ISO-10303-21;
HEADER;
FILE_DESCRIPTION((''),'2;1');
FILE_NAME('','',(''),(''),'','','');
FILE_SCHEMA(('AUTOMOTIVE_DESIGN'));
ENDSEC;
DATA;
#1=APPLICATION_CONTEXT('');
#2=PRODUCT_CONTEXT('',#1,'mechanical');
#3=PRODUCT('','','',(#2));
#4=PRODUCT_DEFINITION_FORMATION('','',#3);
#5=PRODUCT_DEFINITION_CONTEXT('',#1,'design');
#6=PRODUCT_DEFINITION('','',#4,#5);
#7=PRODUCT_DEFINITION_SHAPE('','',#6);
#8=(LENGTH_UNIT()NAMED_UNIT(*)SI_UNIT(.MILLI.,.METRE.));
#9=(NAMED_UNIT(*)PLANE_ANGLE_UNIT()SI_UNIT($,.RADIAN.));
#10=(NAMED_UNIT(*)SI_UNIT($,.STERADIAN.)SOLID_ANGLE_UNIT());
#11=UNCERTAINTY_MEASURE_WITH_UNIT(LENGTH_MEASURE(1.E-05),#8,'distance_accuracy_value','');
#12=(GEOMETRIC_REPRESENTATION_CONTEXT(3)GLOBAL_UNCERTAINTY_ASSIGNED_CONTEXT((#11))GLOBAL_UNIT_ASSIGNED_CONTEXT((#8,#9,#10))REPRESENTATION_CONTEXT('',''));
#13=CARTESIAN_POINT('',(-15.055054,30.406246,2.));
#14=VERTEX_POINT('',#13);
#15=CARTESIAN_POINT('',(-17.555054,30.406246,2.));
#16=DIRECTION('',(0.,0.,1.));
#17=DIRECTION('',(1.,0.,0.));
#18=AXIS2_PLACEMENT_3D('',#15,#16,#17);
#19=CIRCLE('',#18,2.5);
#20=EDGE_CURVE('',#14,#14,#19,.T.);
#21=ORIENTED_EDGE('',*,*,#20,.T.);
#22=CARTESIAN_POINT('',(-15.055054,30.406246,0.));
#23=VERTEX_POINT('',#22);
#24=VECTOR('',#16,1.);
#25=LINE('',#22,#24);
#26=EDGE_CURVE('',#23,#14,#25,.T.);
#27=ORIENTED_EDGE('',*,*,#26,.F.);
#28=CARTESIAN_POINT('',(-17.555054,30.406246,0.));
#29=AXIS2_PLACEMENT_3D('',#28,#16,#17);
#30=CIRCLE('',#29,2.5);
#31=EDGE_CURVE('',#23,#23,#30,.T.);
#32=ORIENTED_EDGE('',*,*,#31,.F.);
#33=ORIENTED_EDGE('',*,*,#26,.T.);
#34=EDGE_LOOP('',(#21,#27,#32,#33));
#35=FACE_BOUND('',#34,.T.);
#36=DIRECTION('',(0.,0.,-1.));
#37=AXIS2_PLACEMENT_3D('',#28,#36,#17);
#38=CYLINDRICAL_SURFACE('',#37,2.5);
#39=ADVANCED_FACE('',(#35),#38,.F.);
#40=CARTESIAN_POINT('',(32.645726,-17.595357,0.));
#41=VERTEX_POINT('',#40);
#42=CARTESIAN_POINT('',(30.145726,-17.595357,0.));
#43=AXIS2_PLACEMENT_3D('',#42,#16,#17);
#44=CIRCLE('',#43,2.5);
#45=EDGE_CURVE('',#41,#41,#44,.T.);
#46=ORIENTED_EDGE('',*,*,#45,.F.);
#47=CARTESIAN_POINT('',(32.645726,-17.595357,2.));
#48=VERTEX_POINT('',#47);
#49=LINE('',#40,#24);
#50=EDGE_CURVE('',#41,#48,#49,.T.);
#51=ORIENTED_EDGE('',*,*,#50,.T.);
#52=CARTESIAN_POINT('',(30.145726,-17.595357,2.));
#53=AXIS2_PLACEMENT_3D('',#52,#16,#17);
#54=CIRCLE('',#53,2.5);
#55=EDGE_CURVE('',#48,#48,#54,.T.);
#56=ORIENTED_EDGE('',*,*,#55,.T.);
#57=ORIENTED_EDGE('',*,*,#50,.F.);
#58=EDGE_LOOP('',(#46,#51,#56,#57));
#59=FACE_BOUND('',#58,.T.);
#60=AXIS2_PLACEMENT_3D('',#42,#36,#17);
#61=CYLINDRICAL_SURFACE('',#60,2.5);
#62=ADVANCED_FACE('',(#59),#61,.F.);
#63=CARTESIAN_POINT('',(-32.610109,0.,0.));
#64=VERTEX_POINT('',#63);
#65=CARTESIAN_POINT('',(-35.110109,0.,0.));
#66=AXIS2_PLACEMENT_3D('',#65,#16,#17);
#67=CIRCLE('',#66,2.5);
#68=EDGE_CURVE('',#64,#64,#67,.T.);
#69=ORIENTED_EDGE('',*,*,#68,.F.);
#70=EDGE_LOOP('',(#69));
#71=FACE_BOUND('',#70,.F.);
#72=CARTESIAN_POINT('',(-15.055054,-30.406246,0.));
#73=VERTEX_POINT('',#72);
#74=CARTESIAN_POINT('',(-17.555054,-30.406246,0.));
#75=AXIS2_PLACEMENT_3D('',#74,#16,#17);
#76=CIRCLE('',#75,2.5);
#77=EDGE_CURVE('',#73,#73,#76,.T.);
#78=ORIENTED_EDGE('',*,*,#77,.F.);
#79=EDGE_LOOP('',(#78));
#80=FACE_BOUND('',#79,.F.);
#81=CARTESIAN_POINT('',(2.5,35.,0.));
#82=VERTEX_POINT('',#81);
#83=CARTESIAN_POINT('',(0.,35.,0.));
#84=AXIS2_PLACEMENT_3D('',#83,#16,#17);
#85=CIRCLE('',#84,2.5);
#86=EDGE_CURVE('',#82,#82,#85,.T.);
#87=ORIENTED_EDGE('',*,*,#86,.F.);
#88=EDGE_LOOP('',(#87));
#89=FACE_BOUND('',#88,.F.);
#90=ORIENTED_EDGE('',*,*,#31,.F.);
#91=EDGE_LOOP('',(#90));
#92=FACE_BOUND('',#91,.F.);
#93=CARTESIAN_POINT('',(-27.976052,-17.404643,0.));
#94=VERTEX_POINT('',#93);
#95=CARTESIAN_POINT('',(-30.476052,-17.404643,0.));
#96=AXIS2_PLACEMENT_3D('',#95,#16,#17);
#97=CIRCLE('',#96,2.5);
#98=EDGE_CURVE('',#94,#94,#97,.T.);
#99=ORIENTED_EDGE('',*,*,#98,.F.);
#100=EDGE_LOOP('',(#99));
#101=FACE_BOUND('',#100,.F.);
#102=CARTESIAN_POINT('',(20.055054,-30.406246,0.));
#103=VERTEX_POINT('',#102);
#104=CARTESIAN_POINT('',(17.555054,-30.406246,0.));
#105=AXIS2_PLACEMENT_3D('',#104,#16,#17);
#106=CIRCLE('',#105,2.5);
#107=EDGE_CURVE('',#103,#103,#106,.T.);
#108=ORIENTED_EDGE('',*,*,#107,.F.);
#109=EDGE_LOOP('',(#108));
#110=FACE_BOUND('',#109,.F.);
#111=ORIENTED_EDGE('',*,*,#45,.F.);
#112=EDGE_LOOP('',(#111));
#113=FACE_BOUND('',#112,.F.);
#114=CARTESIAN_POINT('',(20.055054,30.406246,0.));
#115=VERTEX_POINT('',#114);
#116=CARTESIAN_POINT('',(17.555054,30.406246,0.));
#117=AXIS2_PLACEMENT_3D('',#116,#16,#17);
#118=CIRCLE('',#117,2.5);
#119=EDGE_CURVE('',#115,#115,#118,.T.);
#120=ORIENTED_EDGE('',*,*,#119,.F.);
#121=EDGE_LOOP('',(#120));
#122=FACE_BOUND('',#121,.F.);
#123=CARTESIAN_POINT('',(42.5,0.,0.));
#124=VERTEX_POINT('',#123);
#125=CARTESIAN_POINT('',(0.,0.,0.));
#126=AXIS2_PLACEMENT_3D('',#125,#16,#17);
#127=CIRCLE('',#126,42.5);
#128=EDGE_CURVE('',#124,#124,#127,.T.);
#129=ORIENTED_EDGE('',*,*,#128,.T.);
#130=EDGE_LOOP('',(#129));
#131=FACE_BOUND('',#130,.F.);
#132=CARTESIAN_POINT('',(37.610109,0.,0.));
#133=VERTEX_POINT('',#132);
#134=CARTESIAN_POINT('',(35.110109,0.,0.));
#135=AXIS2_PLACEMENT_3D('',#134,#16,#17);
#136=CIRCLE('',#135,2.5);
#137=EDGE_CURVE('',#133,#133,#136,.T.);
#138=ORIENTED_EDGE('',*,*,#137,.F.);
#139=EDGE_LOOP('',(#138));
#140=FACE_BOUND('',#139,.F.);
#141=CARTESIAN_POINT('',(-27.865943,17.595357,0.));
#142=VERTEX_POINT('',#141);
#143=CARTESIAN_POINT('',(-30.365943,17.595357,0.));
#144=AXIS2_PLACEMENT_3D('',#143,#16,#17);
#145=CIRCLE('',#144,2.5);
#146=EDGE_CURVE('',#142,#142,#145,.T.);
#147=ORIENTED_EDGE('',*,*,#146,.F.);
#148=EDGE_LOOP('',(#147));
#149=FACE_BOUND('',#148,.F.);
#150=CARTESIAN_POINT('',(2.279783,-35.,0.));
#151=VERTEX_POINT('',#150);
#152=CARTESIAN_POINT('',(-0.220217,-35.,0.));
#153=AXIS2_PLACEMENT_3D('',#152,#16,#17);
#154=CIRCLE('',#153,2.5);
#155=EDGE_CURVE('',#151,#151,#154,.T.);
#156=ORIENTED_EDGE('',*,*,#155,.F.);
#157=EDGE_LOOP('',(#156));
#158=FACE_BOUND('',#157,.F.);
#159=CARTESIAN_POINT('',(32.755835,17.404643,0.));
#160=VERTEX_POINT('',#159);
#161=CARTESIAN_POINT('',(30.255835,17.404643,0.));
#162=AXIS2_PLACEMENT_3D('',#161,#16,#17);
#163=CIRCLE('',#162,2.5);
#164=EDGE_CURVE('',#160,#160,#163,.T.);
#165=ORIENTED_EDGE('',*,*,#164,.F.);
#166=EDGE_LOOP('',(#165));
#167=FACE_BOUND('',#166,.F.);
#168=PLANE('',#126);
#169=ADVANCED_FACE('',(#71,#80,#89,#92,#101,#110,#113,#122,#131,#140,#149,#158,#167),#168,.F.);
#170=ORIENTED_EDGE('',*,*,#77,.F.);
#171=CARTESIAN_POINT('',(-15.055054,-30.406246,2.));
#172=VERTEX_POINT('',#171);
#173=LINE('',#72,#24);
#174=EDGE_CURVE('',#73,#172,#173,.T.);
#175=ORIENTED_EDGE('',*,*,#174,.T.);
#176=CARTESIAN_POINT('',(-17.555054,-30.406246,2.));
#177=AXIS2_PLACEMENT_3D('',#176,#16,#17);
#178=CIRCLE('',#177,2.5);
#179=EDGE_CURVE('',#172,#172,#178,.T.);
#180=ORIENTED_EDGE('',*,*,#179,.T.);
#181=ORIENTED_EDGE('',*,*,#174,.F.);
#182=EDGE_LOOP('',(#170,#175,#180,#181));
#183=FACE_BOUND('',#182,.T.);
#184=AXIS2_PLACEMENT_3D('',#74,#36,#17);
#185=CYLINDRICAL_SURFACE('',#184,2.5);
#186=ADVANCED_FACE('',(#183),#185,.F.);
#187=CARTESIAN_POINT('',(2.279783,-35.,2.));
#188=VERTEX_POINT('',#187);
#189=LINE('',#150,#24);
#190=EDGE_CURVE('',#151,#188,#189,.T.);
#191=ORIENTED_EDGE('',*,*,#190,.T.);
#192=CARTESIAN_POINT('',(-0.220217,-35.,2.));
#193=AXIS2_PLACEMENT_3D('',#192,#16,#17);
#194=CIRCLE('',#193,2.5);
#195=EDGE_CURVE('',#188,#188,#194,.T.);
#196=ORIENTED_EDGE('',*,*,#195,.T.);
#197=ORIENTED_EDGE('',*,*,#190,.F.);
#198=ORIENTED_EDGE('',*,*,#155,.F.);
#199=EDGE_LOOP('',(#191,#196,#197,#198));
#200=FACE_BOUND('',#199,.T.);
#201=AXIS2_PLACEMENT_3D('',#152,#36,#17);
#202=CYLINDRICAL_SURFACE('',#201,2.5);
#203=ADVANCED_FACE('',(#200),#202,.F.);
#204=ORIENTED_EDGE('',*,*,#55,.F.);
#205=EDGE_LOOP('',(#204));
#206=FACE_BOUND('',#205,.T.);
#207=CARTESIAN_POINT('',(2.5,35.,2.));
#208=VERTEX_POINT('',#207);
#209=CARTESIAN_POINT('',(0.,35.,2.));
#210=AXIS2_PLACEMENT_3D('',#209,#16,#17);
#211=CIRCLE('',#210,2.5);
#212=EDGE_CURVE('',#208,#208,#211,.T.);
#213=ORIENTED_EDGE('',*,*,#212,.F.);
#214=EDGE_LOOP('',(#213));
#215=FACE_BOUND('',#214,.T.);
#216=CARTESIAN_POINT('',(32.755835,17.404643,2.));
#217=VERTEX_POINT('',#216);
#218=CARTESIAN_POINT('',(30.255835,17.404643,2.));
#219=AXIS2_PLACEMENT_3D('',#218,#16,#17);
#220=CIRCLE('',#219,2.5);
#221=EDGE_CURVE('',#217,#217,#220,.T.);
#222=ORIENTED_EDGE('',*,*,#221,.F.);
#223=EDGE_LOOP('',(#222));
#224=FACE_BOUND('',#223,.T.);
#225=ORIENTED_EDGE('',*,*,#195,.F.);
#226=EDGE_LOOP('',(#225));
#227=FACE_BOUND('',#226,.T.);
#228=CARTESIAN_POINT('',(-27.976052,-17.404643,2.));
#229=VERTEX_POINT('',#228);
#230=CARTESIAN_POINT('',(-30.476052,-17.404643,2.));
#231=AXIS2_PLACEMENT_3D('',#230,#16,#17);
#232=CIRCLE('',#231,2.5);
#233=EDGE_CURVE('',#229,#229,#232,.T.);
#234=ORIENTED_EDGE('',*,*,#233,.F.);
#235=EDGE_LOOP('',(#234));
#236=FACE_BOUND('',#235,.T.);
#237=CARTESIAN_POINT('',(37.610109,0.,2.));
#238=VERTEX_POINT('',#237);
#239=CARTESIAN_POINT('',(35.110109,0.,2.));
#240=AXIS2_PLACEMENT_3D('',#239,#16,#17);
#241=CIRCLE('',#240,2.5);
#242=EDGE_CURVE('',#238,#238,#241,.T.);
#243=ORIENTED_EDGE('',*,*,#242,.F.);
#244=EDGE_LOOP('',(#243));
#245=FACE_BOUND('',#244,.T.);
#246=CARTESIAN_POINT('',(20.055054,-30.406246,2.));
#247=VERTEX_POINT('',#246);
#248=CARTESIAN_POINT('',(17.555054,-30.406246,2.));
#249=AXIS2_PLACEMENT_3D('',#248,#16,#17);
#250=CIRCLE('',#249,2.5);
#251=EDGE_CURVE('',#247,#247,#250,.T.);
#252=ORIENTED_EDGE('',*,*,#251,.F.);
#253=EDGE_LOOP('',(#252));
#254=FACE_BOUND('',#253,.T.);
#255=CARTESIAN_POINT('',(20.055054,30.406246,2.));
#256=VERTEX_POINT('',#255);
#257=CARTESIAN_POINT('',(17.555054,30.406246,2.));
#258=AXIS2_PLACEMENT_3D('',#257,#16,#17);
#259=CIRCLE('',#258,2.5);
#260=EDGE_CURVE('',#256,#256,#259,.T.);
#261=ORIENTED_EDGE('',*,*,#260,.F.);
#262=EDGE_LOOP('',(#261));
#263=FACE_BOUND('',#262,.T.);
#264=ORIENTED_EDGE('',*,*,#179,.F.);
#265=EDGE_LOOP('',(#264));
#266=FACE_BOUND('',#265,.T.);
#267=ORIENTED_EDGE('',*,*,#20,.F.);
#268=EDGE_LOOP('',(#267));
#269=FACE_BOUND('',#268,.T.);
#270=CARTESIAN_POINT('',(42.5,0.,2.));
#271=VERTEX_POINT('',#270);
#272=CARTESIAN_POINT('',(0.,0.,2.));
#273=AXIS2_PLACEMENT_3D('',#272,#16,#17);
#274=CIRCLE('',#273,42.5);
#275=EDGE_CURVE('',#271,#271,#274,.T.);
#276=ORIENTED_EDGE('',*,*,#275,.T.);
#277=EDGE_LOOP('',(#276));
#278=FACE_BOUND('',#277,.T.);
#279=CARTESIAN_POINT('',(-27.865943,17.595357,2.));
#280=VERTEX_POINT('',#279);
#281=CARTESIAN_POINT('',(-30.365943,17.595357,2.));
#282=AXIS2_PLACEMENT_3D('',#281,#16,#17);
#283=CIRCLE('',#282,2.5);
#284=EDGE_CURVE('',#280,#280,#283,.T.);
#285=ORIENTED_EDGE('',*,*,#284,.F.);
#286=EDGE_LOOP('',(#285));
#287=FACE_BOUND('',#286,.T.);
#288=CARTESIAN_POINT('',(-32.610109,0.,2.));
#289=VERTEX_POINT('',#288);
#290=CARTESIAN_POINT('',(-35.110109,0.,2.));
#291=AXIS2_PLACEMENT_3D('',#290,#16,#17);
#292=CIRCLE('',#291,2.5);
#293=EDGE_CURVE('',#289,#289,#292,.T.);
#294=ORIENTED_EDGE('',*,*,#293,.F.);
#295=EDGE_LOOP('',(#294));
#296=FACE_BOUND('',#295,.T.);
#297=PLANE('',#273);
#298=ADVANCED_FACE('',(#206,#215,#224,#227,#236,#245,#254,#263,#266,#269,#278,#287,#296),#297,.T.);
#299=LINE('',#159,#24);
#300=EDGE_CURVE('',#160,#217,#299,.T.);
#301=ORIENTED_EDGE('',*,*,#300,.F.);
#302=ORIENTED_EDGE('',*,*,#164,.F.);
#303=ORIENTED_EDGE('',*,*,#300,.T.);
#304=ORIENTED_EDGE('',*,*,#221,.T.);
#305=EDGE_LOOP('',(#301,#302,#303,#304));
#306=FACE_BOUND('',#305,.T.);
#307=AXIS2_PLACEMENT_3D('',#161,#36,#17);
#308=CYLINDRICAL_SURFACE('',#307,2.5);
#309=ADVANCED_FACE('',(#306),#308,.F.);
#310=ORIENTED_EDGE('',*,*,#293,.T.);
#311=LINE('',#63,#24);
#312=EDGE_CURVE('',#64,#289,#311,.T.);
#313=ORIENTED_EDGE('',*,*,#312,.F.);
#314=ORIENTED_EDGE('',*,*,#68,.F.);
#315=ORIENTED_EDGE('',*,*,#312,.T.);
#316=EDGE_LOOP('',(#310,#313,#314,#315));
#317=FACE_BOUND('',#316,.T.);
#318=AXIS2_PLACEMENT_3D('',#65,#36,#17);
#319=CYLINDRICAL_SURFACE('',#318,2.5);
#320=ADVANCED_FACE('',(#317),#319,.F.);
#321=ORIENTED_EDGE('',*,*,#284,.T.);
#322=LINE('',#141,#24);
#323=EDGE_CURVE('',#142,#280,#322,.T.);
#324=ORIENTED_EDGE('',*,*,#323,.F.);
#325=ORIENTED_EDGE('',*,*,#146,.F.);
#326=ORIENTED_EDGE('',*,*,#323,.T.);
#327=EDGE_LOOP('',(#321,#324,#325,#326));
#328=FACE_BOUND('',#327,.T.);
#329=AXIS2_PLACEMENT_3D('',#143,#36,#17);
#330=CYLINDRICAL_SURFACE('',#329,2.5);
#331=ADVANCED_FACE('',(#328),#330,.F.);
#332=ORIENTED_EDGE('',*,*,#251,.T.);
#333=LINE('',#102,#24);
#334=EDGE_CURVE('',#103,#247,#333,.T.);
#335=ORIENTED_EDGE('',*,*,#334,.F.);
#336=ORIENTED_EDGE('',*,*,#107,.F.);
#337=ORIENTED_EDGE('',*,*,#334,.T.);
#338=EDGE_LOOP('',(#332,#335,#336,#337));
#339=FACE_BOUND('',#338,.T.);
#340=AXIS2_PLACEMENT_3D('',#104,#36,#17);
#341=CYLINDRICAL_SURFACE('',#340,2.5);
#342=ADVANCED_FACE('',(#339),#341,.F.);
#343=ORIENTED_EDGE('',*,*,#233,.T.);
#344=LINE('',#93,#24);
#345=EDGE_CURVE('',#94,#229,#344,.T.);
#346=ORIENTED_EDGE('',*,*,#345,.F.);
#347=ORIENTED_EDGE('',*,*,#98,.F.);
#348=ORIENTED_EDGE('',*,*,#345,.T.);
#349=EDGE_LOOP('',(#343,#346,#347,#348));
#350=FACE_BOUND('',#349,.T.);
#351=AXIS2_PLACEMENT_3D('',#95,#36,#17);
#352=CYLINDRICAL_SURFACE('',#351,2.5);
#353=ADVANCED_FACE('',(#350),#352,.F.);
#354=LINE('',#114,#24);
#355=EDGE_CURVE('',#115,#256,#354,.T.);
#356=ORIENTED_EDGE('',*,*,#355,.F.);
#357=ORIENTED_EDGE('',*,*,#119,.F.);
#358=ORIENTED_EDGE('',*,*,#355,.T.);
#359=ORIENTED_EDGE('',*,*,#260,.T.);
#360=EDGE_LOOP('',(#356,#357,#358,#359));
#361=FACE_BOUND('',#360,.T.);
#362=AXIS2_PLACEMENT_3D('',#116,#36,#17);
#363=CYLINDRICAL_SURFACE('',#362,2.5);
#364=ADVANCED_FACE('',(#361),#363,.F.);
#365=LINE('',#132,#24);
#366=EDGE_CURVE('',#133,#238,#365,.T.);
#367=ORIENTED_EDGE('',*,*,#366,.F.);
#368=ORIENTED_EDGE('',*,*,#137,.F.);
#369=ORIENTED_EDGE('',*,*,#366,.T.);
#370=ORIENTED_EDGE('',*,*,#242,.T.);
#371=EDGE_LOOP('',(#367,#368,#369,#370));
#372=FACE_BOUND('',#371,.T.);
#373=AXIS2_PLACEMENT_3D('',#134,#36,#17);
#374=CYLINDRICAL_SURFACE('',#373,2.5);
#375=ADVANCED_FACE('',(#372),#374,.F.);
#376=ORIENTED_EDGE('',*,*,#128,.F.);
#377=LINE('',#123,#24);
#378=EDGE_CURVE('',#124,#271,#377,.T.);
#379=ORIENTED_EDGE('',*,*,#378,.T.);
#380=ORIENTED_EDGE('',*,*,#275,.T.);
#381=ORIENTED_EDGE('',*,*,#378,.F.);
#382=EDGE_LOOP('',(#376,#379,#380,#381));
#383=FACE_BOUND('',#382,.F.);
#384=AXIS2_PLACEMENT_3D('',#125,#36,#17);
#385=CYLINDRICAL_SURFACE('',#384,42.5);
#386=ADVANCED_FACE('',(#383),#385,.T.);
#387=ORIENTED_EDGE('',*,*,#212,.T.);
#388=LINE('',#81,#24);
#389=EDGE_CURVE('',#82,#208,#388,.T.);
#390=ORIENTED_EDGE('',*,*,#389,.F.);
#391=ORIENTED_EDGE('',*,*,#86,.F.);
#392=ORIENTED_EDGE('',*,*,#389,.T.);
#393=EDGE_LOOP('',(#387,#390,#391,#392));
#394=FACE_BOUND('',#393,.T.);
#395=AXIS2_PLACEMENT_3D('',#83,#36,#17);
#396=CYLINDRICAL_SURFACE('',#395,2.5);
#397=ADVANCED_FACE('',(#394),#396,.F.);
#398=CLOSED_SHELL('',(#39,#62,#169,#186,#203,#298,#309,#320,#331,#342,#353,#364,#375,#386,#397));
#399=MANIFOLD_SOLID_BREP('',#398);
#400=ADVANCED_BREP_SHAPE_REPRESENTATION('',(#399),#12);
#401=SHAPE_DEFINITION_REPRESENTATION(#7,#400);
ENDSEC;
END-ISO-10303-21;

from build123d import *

# Parameters (mm, degrees)
F0_R     = 42.5
F0_R_2   = 2.5
F1_DEPTH = 2


with BuildPart() as f1:
    # F0 (on Top) → F1 (new body)
    with BuildSketch(Plane.XY):
        Circle(F0_R)
        with Locations((-0.220217, -35)):
            Circle(F0_R_2, mode=Mode.SUBTRACT)
        with Locations((-17.555054, -30.406246)):
            Circle(F0_R_2, mode=Mode.SUBTRACT)
        with Locations((-30.476052, -17.404643)):
            Circle(F0_R_2, mode=Mode.SUBTRACT)
        with Locations((17.555054, -30.406246)):
            Circle(F0_R_2, mode=Mode.SUBTRACT)
        with Locations((30.145726, -17.595357)):
            Circle(F0_R_2, mode=Mode.SUBTRACT)
        with Locations((-35.110109, 0)):
            Circle(F0_R_2, mode=Mode.SUBTRACT)
        with Locations((-30.365943, 17.595357)):
            Circle(F0_R_2, mode=Mode.SUBTRACT)
        with Locations((-17.555054, 30.406246)):
            Circle(F0_R_2, mode=Mode.SUBTRACT)
        with Locations((35.110109, 0)):
            Circle(F0_R_2, mode=Mode.SUBTRACT)
        with Locations((30.255835, 17.404643)):
            Circle(F0_R_2, mode=Mode.SUBTRACT)
        with Locations((17.555054, 30.406246)):
            Circle(F0_R_2, mode=Mode.SUBTRACT)
        with Locations((0, 35)):
            Circle(F0_R_2, mode=Mode.SUBTRACT)
    extrude(amount=F1_DEPTH)


solid = f1.part
